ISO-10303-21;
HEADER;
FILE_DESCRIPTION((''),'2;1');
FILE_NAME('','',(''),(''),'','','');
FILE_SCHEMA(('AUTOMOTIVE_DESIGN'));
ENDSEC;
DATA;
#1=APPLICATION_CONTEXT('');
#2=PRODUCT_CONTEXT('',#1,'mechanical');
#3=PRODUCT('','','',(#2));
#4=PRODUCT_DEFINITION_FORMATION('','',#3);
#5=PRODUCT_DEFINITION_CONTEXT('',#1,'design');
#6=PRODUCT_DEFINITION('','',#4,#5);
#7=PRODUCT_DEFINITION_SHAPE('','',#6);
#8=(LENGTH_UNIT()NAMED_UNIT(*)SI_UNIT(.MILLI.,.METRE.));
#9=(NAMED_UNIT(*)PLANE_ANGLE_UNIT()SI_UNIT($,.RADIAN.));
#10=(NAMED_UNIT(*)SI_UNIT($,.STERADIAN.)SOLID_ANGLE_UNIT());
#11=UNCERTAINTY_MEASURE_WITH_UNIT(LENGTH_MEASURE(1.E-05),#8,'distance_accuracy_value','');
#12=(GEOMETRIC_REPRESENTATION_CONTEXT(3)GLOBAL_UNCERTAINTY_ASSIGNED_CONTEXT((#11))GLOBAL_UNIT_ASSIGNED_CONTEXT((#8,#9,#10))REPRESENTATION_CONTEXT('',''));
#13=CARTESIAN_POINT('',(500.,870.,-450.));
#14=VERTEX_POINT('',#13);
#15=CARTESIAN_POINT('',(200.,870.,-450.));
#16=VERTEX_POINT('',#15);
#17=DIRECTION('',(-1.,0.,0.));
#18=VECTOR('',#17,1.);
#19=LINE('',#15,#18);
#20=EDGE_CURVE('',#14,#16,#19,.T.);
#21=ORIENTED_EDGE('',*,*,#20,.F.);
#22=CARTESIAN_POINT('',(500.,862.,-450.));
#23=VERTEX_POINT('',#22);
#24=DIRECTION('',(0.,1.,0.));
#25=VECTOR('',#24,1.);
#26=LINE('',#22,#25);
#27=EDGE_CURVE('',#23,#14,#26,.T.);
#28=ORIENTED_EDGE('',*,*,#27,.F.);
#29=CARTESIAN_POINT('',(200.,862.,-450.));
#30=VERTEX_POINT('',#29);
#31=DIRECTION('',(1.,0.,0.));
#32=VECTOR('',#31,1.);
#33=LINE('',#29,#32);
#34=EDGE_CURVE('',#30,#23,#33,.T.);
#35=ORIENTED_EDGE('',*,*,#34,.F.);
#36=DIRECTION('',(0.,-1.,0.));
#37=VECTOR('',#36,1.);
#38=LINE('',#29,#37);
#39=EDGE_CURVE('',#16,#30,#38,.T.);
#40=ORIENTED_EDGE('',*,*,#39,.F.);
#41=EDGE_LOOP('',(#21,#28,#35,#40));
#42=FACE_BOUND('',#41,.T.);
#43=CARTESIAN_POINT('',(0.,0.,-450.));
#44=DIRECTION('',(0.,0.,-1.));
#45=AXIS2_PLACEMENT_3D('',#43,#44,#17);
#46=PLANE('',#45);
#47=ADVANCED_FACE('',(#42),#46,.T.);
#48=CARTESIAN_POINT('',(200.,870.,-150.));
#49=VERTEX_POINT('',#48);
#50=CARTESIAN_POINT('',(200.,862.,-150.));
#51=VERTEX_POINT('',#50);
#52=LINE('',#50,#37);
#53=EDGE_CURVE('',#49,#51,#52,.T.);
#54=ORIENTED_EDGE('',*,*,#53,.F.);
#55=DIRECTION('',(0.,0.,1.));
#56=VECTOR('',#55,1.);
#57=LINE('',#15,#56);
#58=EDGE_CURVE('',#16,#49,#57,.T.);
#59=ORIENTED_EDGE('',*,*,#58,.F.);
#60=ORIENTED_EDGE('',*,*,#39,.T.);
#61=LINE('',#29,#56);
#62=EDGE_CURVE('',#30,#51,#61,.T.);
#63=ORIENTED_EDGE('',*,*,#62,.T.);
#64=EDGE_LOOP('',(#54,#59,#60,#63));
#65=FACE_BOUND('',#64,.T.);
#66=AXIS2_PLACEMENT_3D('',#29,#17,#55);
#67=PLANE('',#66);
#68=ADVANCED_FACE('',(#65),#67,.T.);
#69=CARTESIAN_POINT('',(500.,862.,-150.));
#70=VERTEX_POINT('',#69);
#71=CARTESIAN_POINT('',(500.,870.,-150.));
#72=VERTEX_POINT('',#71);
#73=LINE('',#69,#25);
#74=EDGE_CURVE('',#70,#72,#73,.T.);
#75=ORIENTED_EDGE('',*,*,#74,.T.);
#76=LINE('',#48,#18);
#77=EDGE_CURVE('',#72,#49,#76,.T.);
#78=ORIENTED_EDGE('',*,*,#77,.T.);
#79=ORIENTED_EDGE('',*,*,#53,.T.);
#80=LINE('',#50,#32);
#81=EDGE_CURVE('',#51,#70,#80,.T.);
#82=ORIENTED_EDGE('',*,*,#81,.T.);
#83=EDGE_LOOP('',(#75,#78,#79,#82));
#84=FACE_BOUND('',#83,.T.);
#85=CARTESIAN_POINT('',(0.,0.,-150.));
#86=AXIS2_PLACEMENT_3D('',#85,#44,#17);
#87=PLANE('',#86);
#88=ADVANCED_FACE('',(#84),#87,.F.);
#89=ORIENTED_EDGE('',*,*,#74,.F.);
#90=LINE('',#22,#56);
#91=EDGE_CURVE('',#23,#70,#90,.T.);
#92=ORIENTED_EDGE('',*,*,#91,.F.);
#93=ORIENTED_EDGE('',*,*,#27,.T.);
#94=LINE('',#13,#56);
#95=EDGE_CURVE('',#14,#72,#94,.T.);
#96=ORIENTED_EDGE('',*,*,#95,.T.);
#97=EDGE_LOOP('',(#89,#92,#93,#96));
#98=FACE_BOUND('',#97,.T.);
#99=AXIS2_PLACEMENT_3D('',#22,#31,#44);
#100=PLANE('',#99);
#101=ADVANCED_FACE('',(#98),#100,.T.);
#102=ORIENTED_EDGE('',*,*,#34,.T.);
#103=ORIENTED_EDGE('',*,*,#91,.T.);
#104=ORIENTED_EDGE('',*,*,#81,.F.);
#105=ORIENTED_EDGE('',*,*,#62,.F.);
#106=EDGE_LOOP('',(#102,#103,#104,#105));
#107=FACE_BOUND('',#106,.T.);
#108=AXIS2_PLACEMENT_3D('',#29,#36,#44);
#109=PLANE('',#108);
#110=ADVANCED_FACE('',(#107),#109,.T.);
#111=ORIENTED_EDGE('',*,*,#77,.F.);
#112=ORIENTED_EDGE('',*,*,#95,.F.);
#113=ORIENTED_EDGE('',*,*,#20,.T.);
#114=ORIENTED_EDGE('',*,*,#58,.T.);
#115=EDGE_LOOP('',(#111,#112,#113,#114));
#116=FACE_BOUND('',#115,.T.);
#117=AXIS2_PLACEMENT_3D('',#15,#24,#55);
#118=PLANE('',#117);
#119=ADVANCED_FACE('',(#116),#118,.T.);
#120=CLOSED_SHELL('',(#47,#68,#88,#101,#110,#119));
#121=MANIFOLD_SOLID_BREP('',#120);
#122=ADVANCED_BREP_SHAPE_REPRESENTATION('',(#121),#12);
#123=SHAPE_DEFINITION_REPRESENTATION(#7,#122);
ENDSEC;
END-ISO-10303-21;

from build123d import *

# Parameters (mm, degrees)
OVEN_DAMLALIK_TAVASI_1_START = -150
SKETCH1_W                    = 300
SKETCH1_H                    = 8
OVEN_DAMLALIK_TAVASI_1_DEPTH = 300


with BuildPart() as part:
    # Sketch1 → OVEN_damlalik_tavasi_1 (new body)
    with BuildSketch(Plane.XY.offset(OVEN_DAMLALIK_TAVASI_1_START)):
        with Locations((350, 866)):
            Rectangle(SKETCH1_W, SKETCH1_H)
    extrude(amount=-OVEN_DAMLALIK_TAVASI_1_DEPTH)


solid = part.part
